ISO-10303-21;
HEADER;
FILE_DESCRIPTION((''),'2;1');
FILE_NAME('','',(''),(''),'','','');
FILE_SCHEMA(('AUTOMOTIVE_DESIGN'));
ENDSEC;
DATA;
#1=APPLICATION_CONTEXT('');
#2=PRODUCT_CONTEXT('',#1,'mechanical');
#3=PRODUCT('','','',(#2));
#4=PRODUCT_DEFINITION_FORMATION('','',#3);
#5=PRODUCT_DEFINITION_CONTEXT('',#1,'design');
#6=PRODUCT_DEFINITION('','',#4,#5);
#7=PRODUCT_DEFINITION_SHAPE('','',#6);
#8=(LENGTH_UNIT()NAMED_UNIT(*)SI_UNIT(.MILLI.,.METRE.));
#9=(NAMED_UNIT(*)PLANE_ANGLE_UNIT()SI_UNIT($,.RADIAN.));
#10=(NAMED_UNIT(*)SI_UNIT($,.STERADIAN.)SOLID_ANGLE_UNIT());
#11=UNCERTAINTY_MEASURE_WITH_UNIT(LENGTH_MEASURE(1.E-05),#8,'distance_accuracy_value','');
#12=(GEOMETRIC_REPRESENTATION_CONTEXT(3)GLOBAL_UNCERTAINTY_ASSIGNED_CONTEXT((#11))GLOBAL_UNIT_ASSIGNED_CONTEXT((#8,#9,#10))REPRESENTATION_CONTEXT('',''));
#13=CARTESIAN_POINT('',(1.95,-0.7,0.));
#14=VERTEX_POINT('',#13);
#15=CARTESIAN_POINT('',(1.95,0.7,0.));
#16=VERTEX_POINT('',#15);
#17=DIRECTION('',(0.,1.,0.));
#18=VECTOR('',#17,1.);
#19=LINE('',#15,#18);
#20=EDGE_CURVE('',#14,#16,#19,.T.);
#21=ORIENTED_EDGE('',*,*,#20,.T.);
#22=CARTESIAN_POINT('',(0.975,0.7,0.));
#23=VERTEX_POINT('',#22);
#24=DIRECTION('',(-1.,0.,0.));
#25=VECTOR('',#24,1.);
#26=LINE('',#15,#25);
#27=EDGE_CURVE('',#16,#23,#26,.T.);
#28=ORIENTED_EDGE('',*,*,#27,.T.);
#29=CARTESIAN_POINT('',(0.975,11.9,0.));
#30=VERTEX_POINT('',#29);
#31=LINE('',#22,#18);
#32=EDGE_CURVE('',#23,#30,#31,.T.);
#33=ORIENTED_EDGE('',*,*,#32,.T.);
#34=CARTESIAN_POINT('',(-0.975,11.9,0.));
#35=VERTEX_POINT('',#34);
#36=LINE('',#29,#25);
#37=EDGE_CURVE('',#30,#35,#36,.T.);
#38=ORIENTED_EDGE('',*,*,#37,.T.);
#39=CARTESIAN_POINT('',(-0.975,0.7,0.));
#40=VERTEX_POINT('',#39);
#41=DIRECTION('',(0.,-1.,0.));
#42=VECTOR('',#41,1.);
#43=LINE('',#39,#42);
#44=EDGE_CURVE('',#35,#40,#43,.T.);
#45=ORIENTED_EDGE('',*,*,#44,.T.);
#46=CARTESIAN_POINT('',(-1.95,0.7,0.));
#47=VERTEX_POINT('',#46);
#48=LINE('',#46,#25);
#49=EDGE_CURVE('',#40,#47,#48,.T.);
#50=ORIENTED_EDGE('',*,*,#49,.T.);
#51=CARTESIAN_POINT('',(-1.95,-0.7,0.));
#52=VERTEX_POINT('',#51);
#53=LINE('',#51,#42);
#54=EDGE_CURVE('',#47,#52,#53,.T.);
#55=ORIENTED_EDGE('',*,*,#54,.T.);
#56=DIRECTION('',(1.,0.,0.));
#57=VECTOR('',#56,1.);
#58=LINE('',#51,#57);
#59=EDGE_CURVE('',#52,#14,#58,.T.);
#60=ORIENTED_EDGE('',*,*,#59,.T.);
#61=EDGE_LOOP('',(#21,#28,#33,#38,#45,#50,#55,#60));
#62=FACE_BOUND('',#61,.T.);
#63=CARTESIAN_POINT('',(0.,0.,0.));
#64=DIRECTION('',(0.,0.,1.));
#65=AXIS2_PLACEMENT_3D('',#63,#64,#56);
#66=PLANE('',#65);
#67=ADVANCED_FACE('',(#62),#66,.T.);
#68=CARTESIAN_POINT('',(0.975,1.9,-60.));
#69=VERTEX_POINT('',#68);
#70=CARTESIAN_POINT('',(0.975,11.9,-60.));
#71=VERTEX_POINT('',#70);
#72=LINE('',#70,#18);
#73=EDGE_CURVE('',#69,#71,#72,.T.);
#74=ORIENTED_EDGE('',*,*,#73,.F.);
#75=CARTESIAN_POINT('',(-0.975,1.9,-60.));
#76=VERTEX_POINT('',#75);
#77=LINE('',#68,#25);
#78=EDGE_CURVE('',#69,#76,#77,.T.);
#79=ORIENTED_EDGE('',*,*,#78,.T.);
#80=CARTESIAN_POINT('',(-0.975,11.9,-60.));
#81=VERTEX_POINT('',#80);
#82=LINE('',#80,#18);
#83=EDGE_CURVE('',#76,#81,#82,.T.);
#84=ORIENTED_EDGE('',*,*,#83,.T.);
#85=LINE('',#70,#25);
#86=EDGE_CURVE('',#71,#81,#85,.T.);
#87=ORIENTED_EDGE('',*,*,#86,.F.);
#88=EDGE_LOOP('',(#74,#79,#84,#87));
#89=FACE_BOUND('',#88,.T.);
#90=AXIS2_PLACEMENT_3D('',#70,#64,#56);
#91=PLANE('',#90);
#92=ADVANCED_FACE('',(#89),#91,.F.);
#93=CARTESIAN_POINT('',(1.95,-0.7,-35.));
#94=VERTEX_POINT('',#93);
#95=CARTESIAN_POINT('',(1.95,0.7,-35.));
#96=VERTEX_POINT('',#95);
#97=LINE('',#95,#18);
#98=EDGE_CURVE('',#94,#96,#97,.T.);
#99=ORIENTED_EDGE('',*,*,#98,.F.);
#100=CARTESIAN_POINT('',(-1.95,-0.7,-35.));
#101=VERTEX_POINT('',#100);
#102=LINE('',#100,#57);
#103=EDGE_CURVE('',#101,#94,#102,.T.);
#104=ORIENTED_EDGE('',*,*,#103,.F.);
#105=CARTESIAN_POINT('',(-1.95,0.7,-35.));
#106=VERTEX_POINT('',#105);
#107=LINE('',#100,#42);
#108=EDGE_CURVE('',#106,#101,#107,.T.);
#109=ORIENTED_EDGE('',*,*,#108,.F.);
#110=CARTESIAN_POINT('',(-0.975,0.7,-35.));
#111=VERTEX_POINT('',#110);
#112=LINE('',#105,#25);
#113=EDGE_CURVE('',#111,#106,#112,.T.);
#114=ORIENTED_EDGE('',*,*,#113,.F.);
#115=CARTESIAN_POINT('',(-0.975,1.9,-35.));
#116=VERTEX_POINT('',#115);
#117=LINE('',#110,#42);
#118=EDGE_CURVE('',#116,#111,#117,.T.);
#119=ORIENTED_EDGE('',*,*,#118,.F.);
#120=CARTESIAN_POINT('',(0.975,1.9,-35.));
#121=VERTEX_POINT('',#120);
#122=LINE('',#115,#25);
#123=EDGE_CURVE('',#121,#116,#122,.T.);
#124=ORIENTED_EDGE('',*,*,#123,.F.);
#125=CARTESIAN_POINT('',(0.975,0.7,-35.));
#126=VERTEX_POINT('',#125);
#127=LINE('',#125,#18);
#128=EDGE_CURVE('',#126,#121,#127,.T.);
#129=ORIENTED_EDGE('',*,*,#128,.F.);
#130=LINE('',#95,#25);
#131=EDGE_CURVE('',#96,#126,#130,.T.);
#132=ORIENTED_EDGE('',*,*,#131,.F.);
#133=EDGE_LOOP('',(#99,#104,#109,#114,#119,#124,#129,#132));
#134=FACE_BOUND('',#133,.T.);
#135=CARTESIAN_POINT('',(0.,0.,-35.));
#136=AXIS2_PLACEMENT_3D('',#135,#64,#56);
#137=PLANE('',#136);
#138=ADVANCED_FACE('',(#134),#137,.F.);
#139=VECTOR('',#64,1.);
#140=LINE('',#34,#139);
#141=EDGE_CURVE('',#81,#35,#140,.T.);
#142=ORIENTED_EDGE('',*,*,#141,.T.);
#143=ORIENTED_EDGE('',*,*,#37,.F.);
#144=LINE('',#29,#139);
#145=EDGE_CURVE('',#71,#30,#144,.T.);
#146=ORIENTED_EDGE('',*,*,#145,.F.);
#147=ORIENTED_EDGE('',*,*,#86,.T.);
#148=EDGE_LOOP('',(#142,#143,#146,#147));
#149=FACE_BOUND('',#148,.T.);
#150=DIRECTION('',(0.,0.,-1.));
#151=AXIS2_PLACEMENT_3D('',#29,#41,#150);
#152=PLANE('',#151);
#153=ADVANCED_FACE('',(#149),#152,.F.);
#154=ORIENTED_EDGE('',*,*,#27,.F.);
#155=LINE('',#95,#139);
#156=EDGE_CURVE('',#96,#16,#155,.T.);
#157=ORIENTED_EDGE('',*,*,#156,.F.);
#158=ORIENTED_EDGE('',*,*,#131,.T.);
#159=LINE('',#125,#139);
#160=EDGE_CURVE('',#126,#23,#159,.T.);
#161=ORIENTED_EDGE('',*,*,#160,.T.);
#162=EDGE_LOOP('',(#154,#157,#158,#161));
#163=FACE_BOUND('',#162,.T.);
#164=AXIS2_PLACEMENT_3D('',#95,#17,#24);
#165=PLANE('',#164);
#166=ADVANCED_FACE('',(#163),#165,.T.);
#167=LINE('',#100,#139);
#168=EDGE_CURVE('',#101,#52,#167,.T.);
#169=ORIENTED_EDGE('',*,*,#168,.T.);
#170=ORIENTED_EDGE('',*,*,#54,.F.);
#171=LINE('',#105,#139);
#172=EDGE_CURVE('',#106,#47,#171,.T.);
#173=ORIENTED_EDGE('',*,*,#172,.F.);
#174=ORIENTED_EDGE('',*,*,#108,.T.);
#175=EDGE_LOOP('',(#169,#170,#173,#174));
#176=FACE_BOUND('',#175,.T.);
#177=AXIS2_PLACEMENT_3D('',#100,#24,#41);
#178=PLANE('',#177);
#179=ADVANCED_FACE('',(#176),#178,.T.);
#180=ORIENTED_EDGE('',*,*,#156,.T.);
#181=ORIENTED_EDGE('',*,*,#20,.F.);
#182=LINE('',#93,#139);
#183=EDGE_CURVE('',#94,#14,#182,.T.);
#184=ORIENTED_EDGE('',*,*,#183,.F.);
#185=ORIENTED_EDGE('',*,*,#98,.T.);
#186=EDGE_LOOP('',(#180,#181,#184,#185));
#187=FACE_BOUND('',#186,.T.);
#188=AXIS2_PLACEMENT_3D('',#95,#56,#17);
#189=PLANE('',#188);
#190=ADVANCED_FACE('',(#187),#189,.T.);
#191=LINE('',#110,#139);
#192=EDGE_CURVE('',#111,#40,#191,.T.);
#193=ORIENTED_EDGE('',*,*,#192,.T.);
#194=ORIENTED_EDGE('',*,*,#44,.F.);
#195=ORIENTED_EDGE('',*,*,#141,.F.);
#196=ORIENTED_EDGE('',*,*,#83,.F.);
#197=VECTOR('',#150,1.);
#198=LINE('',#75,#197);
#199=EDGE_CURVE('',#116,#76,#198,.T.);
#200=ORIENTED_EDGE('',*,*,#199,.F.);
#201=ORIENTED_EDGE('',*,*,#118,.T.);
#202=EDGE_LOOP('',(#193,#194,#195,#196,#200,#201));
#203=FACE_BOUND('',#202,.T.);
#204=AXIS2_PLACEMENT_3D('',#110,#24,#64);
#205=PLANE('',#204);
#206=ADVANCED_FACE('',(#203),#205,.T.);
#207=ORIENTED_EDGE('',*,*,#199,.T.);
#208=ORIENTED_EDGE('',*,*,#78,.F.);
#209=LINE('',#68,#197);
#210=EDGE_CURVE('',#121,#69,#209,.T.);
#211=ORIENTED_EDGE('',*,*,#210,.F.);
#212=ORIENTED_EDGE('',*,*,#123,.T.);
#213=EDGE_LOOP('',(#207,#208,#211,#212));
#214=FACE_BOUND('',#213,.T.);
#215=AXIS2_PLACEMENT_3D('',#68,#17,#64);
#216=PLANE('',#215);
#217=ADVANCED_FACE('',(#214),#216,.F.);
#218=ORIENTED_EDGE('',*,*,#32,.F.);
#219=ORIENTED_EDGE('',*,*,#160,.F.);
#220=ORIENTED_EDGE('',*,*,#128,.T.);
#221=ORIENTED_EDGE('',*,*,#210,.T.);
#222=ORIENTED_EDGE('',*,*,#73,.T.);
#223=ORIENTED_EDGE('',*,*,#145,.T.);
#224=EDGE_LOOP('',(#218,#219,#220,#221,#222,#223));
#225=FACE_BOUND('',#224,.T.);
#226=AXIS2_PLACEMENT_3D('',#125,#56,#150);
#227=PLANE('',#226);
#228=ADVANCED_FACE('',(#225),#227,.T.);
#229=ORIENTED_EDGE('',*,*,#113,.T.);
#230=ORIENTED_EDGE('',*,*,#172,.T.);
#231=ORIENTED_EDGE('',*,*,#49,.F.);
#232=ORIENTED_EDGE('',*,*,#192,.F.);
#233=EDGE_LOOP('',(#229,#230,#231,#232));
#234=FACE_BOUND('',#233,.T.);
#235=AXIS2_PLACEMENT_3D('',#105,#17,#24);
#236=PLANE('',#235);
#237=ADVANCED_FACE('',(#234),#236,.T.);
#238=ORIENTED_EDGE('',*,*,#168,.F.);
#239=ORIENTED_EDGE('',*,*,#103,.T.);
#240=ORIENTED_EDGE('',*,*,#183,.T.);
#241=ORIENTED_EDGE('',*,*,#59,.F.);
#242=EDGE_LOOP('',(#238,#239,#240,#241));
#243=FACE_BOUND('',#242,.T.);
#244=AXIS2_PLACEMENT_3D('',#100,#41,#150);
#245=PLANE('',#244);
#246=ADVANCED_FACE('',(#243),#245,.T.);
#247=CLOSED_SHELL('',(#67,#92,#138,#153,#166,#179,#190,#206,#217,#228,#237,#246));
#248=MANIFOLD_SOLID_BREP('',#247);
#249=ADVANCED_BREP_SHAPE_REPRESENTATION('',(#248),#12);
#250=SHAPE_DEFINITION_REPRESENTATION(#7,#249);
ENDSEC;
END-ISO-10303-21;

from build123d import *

# Parameters (mm, degrees)
SALIENTE_EXTRUIR1_DEPTH = 35
CROQUIS9_W              = 60
CROQUIS9_H              = 10
SALIENTE_EXTRUIR2_DEPTH = 0.975


with BuildPart() as part:
    # Croquis1 → Saliente-Extruir1 (new body)
    with BuildSketch(Plane.XY):
        Polygon((-1.95, -0.7), (-1.95, 0.7), (-0.975, 0.7), (-0.975, 1.9), (0.975, 1.9), (0.975, 0.7), (1.95, 0.7), (1.95, -0.7), align=None)
    extrude(amount=-SALIENTE_EXTRUIR1_DEPTH)

    # Croquis9 → Saliente-Extruir2 (add, symmetric)
    with BuildSketch(Plane(origin=(0, 0, 0), x_dir=(0, 0, -1), z_dir=(1, 0, 0))):
        with Locations((30, 6.9)):
            Rectangle(CROQUIS9_W, CROQUIS9_H)
    extrude(amount=SALIENTE_EXTRUIR2_DEPTH, both=True)


solid = part.part
